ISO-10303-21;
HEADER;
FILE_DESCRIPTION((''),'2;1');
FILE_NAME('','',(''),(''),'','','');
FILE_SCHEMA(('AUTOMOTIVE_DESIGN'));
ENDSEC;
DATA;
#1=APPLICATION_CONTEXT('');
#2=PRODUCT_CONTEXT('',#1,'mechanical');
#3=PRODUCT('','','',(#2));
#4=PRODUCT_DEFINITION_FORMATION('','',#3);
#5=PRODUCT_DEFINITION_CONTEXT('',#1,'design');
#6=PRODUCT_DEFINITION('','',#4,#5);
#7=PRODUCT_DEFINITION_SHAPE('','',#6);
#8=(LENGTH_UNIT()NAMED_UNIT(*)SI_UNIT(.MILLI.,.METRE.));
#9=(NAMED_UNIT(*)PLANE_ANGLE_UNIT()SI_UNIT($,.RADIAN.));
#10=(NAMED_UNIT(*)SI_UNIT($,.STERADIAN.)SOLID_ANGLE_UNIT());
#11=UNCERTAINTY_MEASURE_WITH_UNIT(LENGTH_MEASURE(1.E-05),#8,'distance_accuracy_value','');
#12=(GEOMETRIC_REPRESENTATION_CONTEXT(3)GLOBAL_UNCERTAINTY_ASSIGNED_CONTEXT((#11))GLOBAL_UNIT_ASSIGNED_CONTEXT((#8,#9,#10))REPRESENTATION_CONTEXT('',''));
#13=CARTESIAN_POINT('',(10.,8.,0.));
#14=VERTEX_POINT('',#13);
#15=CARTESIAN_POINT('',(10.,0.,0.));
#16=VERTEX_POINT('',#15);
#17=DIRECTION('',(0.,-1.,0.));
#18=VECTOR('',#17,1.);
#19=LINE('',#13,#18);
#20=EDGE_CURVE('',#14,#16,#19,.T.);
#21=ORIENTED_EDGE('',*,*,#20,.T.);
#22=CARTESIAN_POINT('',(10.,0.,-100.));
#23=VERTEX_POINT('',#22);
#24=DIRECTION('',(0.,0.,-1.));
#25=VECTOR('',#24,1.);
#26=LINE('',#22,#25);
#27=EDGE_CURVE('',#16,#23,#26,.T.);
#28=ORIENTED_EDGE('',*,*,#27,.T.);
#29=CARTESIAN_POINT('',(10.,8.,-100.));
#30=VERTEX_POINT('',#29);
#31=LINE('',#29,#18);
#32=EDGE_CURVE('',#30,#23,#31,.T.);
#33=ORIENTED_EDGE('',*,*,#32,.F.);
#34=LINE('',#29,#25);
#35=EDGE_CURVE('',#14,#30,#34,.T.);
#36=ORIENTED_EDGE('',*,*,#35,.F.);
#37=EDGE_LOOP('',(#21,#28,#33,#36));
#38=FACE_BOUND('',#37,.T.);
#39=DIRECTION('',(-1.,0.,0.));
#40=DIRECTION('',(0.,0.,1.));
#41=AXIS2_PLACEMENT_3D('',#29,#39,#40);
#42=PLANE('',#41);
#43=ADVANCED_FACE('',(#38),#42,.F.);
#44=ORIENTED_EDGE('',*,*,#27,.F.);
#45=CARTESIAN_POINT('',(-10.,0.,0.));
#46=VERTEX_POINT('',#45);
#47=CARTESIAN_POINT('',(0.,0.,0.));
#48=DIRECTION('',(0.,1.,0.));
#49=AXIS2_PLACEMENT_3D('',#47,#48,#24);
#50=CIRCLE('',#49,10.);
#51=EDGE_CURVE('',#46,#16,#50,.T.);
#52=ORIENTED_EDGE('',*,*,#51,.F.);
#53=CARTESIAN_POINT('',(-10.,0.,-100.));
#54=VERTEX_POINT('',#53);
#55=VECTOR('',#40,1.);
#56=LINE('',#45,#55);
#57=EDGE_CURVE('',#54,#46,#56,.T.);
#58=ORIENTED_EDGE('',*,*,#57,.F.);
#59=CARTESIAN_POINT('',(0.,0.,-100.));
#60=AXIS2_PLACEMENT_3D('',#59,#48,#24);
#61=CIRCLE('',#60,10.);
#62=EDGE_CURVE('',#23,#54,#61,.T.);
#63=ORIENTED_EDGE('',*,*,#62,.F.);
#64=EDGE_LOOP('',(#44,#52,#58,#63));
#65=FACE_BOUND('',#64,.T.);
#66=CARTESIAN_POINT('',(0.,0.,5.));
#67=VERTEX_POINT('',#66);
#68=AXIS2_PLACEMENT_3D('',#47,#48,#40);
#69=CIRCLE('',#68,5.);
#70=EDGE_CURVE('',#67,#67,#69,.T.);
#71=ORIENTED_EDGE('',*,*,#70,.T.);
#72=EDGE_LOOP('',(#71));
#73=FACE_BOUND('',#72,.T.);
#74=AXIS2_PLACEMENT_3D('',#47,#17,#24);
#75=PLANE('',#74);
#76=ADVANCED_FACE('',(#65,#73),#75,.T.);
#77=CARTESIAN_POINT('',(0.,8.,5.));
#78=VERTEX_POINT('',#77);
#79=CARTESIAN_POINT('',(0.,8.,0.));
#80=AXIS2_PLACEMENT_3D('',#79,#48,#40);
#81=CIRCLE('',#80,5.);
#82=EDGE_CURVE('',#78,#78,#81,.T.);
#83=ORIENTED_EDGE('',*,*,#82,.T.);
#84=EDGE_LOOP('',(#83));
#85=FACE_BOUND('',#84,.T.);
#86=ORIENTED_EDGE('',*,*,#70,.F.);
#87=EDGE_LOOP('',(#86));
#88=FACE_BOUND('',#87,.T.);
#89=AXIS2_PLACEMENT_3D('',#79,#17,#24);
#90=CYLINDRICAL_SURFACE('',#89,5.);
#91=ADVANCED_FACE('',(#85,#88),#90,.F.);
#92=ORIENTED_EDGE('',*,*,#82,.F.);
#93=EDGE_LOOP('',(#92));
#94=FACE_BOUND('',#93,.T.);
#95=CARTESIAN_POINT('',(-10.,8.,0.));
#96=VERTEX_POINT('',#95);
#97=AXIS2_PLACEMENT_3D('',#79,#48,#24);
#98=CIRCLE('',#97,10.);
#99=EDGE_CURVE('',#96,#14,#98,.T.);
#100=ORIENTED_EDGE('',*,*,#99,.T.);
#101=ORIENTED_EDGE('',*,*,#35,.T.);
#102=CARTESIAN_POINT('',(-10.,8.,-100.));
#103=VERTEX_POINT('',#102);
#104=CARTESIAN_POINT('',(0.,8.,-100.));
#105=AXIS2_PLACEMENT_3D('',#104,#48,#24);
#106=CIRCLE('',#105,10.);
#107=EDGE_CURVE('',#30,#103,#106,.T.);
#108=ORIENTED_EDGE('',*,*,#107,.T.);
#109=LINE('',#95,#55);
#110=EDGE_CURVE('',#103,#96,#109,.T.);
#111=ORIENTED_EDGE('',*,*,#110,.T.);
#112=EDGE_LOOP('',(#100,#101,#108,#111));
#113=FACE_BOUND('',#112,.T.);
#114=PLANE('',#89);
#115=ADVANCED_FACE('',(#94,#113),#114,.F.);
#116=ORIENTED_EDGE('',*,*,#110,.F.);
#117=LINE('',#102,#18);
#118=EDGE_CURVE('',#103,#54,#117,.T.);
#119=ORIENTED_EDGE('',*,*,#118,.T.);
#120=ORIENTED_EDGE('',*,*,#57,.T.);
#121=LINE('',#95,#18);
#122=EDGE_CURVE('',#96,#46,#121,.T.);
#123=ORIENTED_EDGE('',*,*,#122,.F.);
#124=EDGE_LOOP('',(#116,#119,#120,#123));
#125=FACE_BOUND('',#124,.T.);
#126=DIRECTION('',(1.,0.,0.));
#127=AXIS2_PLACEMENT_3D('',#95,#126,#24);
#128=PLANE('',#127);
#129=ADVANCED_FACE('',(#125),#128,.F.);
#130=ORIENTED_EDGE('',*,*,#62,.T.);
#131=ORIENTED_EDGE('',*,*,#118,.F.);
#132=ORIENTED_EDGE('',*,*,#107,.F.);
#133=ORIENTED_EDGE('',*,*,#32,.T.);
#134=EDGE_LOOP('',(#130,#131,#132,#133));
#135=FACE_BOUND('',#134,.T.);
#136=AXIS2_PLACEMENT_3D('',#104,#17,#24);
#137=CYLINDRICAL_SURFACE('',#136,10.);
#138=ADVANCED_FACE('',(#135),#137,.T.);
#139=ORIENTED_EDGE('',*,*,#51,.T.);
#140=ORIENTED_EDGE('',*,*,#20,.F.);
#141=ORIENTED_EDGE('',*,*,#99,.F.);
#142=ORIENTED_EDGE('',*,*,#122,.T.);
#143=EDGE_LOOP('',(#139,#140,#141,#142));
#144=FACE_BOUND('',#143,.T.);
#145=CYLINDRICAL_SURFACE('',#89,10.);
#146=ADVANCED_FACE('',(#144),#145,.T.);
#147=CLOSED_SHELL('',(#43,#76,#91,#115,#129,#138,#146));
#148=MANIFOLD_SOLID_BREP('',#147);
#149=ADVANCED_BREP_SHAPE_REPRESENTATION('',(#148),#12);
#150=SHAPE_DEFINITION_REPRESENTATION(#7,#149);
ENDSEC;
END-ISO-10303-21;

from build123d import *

# Parameters (mm, degrees)
SKETCH_1_R      = 5
EXTRUDE_1_DEPTH = 8


with BuildPart() as part:
    # ｽｹｯﾁ1 → ﾎﾞｽ - 押し出し1 (new body)
    with BuildSketch(Plane(origin=(0, 0, 0), x_dir=(1, 0, 0), z_dir=(0, 1, 0))):
        with BuildLine():
            Line((-10, 0), (-10, 100))
            ThreePointArc((-10, 100), (0, 110), (10, 100))
            Line((10, 100), (10, 0))
            ThreePointArc((10, 0), (0, -10), (-10, 0))
        make_face()
        with Locations(Location((0, 0, 0), (0, 0, 270))):
            Circle(SKETCH_1_R, mode=Mode.SUBTRACT)
    extrude(amount=EXTRUDE_1_DEPTH)


solid = part.part
